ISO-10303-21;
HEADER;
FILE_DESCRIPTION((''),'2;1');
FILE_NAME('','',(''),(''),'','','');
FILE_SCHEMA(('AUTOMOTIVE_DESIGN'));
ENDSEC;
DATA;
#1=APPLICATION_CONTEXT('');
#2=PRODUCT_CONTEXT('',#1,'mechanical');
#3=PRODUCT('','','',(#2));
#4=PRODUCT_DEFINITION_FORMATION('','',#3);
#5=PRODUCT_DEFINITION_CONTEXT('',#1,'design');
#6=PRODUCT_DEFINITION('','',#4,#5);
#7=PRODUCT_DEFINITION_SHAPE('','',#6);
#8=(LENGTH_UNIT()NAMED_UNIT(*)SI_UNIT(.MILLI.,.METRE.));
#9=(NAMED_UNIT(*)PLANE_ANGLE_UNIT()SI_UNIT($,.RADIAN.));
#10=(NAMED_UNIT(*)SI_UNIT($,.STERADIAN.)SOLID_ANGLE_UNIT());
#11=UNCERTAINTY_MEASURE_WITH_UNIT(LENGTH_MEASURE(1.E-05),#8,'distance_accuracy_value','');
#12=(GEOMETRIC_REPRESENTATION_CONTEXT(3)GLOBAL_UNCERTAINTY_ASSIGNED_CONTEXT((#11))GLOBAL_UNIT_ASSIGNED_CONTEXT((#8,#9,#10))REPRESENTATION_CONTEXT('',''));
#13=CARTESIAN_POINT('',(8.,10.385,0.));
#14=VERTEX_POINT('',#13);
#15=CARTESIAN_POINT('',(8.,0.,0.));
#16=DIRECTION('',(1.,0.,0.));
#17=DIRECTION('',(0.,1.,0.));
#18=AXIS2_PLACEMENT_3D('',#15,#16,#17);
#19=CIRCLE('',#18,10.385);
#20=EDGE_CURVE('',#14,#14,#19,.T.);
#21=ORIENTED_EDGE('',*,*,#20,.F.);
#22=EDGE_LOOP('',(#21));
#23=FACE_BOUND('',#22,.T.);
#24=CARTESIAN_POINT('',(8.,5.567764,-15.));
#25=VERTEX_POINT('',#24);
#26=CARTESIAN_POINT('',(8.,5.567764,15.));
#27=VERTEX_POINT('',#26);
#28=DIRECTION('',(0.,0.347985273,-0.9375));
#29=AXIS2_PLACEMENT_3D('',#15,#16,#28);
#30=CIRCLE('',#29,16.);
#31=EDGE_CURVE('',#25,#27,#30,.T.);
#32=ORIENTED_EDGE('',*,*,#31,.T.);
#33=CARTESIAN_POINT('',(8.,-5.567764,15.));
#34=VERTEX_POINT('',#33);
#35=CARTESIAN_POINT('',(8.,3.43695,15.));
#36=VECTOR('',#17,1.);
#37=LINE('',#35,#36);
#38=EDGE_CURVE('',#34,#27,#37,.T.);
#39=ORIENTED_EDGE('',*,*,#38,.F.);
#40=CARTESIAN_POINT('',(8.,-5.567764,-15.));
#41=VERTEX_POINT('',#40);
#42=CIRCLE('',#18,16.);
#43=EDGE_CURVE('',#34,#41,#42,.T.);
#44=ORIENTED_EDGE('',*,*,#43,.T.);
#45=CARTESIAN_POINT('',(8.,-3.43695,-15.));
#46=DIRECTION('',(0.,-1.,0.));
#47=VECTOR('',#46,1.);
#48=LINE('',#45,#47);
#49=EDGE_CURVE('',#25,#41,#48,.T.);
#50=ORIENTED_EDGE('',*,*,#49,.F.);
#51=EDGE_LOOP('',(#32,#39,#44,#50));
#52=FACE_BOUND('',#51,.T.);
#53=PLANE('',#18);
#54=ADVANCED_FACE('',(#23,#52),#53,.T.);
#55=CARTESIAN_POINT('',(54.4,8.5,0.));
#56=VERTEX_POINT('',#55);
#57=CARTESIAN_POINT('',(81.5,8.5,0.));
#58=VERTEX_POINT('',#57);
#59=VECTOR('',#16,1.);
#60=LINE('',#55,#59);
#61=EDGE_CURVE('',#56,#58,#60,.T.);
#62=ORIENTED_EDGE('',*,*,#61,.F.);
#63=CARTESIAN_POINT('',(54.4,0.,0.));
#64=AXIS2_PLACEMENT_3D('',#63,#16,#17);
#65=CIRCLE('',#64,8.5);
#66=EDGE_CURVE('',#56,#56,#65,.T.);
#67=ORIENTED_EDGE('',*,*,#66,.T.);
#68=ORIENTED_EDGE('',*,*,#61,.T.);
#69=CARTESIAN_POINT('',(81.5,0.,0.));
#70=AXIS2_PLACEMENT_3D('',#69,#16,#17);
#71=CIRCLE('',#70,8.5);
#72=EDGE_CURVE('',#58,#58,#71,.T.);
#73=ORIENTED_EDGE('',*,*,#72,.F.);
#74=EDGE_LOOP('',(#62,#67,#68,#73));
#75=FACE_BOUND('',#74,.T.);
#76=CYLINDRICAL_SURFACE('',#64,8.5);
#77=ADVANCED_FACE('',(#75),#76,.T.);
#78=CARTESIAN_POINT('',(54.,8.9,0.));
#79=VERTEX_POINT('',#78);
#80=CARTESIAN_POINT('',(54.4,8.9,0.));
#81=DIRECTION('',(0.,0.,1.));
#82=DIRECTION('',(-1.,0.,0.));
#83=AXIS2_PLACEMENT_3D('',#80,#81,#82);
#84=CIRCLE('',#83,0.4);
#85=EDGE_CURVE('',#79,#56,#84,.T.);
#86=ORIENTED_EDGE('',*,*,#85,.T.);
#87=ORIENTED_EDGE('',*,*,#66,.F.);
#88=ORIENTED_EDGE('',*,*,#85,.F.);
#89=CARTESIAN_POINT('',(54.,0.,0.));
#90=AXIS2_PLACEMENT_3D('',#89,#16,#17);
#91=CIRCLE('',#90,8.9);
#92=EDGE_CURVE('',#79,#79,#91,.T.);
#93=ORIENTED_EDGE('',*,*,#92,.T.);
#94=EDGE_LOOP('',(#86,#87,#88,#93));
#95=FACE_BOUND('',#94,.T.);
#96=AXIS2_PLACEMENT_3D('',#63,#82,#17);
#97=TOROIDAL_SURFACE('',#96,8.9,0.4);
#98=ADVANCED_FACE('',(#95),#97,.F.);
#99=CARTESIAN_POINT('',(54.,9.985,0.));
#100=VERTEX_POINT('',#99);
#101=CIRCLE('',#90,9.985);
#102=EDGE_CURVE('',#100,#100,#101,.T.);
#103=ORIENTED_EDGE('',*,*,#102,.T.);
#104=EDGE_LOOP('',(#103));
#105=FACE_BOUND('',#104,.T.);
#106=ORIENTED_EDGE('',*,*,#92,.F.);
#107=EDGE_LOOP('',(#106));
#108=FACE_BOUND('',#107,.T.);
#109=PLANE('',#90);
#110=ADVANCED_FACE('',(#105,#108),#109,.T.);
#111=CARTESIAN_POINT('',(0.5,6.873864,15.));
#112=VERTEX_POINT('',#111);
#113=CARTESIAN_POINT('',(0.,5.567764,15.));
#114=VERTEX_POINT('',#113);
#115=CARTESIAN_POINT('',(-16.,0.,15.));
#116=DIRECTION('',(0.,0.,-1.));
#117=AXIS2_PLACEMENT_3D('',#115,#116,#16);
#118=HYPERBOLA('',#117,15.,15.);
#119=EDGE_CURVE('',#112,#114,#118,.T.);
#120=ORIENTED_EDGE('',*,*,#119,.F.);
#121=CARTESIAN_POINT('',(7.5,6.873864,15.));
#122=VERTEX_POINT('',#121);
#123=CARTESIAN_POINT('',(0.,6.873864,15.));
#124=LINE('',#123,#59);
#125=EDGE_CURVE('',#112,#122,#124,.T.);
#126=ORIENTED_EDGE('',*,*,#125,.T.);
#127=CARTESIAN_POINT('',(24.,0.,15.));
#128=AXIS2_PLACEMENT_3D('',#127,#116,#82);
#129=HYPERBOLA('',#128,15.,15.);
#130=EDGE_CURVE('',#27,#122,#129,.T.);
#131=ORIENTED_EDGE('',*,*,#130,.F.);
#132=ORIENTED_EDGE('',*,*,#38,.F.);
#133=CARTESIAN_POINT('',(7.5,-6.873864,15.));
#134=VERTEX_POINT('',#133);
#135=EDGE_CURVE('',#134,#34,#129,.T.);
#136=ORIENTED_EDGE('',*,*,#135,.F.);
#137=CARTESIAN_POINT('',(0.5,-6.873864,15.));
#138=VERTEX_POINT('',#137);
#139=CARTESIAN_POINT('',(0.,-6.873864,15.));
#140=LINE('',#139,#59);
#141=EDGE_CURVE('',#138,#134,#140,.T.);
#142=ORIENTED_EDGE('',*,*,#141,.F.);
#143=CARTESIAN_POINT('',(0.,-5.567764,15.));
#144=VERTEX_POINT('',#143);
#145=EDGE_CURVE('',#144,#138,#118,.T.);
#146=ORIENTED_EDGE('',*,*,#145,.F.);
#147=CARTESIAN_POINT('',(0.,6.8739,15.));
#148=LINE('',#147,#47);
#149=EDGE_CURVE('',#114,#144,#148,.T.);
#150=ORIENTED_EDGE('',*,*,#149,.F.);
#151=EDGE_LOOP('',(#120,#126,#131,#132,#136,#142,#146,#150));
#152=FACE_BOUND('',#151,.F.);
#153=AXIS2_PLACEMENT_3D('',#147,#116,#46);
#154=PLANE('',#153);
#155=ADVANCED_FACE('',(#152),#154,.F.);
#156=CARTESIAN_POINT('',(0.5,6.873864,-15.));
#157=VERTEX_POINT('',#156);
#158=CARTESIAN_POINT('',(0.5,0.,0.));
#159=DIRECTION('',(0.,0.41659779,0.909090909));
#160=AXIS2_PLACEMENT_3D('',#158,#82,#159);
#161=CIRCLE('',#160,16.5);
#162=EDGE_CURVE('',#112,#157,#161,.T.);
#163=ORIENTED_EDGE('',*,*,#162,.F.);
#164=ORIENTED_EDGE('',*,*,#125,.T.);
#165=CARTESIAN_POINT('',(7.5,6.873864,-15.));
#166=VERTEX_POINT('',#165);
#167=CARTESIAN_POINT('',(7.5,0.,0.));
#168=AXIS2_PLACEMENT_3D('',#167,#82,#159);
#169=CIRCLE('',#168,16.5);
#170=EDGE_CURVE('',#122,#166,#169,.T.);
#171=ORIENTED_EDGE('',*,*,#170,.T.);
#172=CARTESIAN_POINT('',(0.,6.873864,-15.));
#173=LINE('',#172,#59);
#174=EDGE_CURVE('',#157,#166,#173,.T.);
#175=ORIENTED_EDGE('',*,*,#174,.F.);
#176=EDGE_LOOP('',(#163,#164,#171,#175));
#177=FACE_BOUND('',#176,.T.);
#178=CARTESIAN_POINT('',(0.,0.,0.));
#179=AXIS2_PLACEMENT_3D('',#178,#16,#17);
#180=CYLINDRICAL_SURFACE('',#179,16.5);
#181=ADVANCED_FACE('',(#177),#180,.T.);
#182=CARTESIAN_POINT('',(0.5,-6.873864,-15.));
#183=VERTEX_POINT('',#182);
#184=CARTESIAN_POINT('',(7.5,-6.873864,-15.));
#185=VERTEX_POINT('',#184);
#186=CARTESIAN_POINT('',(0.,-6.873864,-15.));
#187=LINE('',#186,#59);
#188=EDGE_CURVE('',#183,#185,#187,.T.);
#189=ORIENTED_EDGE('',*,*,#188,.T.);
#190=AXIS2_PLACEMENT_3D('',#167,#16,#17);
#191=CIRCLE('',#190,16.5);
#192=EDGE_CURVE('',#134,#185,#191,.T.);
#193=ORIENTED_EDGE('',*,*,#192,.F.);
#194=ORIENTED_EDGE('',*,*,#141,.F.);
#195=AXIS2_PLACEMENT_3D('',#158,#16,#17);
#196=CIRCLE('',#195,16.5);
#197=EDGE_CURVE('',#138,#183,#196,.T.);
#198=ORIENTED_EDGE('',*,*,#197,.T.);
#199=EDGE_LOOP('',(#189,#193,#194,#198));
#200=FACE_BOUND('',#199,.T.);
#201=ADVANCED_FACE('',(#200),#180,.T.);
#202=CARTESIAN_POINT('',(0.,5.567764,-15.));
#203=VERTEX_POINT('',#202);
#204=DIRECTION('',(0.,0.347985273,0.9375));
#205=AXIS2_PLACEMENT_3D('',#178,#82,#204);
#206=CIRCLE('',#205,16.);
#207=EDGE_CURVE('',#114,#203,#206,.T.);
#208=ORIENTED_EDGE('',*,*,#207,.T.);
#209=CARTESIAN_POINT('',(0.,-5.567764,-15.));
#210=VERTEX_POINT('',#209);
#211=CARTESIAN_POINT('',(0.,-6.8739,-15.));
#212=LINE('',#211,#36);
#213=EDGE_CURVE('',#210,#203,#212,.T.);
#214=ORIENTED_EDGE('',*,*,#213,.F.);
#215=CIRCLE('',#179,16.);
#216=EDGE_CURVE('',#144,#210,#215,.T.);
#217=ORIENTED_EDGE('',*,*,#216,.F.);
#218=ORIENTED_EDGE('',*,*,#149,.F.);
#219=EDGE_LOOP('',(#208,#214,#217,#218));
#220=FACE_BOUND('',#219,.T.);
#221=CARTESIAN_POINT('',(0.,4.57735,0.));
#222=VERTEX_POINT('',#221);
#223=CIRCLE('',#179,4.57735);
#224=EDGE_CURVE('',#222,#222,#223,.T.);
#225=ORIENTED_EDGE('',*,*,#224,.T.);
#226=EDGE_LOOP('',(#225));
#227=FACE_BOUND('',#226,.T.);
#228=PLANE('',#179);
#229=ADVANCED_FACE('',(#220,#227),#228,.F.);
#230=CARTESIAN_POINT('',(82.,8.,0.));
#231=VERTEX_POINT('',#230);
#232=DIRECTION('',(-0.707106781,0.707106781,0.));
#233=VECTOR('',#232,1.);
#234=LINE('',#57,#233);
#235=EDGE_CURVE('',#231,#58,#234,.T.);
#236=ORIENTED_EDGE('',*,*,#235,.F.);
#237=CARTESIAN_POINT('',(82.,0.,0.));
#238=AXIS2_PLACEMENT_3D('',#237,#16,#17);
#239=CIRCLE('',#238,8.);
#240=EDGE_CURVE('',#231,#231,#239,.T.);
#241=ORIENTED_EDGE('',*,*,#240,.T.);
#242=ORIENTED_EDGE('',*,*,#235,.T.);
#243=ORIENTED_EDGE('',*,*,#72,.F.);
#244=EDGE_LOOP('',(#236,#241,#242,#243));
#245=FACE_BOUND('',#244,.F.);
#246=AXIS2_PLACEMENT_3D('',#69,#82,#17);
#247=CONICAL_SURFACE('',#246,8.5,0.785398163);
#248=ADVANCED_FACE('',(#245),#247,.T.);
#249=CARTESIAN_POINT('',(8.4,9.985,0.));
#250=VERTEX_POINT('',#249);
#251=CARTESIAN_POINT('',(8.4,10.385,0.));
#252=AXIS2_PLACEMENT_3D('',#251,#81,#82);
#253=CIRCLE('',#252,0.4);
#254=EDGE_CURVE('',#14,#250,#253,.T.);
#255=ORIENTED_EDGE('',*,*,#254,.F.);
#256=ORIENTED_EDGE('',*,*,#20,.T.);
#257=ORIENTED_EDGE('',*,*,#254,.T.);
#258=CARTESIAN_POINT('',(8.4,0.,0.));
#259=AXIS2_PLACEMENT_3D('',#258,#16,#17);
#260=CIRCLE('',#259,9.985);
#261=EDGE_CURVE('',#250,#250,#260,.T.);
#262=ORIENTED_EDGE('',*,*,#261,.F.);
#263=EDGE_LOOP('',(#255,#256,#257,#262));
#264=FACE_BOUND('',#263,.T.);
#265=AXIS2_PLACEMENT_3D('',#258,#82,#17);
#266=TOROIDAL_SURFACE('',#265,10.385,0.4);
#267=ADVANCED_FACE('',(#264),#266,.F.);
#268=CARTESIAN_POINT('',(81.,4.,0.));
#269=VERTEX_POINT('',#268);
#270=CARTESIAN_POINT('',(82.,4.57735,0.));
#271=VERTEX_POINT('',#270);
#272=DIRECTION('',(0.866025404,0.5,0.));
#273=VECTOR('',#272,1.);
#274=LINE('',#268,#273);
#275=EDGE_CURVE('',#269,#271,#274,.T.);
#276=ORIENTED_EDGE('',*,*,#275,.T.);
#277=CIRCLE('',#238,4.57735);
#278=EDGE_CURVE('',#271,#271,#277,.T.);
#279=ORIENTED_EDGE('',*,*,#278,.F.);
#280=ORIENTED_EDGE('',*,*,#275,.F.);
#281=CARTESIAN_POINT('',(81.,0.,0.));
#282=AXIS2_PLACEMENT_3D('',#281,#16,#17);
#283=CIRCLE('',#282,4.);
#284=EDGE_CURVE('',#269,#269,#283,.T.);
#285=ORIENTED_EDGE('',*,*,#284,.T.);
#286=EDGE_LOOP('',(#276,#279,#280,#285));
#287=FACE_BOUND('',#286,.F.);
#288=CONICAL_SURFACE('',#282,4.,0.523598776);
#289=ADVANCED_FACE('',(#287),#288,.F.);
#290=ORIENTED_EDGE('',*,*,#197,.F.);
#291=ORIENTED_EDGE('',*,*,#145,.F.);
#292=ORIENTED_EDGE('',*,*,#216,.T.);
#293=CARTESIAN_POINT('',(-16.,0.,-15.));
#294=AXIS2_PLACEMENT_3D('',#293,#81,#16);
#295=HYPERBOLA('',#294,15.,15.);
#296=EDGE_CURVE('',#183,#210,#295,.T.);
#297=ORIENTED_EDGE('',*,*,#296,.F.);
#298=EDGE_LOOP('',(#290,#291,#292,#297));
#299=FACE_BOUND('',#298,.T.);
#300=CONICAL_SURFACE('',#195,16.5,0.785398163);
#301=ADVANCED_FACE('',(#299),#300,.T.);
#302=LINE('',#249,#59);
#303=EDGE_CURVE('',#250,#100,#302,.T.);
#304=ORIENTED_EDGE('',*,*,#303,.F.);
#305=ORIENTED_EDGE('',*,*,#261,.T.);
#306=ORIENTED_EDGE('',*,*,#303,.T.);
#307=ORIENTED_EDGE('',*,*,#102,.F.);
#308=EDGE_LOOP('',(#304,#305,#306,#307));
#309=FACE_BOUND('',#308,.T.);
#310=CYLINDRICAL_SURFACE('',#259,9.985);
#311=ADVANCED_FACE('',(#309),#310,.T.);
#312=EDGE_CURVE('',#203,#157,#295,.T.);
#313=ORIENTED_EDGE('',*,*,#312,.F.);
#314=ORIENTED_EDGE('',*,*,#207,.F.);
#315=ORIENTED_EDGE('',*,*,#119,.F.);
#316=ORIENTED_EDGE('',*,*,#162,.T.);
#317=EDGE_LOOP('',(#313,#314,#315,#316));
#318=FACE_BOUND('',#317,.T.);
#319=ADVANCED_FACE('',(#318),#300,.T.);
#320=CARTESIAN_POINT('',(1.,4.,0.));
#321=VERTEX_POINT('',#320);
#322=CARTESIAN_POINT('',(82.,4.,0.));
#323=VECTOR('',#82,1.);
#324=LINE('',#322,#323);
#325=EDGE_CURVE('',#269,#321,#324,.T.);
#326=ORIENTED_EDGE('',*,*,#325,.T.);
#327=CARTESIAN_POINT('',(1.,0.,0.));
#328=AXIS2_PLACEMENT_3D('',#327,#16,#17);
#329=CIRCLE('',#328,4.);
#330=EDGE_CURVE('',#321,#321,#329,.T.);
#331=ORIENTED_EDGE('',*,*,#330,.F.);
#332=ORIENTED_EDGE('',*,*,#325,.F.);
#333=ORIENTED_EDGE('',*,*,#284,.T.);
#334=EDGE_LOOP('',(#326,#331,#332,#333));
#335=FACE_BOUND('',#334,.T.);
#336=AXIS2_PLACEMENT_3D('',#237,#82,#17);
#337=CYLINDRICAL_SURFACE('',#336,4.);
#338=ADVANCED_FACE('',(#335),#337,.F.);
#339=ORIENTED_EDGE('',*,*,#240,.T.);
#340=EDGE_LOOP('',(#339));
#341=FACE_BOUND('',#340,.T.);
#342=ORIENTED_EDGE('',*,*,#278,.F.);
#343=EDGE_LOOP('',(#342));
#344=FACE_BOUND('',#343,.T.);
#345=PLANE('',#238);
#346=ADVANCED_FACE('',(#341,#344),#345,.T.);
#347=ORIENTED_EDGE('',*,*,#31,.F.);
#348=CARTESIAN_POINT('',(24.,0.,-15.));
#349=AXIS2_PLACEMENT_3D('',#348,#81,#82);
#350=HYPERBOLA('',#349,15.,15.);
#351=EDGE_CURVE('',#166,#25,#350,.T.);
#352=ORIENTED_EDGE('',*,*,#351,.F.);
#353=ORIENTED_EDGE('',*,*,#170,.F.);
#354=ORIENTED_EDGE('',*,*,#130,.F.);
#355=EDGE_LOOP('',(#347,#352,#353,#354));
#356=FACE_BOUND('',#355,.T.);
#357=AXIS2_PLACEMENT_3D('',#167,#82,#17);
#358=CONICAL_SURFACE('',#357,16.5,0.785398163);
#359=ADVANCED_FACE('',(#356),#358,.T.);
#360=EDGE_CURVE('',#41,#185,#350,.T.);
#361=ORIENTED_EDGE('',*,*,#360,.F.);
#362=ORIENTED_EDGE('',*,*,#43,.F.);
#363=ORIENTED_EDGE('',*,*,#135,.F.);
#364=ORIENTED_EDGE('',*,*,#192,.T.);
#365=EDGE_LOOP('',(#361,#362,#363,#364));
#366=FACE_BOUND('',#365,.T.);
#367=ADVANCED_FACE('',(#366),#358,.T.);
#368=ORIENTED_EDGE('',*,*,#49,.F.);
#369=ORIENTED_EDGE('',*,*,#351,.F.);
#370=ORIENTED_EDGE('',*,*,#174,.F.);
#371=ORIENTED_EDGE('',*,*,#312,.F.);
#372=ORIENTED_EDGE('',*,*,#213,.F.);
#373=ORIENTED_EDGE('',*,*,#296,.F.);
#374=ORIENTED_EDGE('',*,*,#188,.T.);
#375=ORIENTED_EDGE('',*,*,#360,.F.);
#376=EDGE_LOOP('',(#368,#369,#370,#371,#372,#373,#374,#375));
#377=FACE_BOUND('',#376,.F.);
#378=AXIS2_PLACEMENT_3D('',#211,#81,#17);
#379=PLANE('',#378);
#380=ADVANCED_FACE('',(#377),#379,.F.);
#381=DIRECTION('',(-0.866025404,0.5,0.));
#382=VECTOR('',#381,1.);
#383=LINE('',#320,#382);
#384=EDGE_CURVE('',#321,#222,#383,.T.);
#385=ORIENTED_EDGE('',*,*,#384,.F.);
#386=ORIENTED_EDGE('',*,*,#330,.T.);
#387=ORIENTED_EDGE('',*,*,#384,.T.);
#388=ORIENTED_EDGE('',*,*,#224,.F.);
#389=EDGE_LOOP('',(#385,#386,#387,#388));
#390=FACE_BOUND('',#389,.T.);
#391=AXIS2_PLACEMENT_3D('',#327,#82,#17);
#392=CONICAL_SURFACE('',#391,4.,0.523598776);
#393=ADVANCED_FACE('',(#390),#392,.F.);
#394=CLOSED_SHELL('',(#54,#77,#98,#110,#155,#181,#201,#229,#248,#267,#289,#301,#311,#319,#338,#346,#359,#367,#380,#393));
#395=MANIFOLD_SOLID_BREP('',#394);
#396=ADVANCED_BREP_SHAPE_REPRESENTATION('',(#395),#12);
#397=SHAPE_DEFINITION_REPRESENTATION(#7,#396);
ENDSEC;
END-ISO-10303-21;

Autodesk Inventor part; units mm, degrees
ref_plane "YZ Plane" through (0, 0, 0) normal (1, 0, 0) x (0, 1, 0)
ref_plane "XZ Plane" through (0, 0, 0) normal (0, 1, 0) x (-1, 0, 0)
ref_plane "XY Plane" through (0, 0, 0) normal (0, 0, 1) x (1, 0, 0)
sketch "Náčrt1" plane through (0, 0, 0) normal (0, 0, 1) x (1, 0, 0)
  line L0 (0, 0) -> (19.1477, 0)
  line L1 (0, 4) -> (0, 16.5)
  line L2 (0, 16.5) -> (8, 16.5)
  line L3 (8, 16.5) -> (8, 10.385)
  line L4 (8.4, 9.985) -> (54, 9.985)
  line L5 (54, 9.985) -> (54, 8.9)
  line L6 (54.4, 8.5) -> (82, 8.5)
  line L7 (82, 8.5) -> (82, 4)
  line L8 (82, 4) -> (0, 4)
  arc A0 (8, 10.385) -> (8.4, 9.985) centre (8.4, 10.385) ccw
  arc A1 (54, 8.9) -> (54.4, 8.5) centre (54.4, 8.9) ccw
  point P0 (54, 8.5)
  point P1 (8, 9.985)
  dimension "d0" = 33
  dimension "d1" = 82
  dimension "d2" = 28
  dimension "d5" = 17
  dimension "d6" = 8
  dimension "d7" = 19.97
  dimension "d8" = 74
  dimension "d39" = 8
  dimension "d40" = 46
  dimension "d41" = 0.4
  dimension "d42" = 0.4
revolve "Rotace1" add sketch "Náčrt1" angle 360 about axis through (0, 0, 0) along (1, 0, 0)
thread "Závit1" size "M17x1" class "6g" standard "ANSI Metric M Profile" length 15
chamfer "Zkosení1" distance 0.5 angle 45 1 edges at (0, -16.5, 0)
chamfer "Zkosení2" distance 0.5 angle 45 1 edges at (8, -16.5, 0)
chamfer "Zkosení3" distance 1 angle 30 1 edges at (0, -4, 0) measured on face at (54.6667, 3.987, -0.3219)
chamfer "Zkosení4" distance 1 angle 30 1 edges at (82, -4, 0) measured on face at (55, 3.987, -0.3219)
chamfer "Zkosení5" distance 0.5 angle 45 1 edges at (82, -8.5, 0)
sketch "Náčrt2" plane through (0, 0, 0) normal (-1, 0, 0) x (0, 0, 1)
  line L0 (-15, 6.8739) -> (-17.8524, 6.8739)
  line L1 (-17.8524, 6.8739) -> (-17.8524, -6.8739)
  line L2 (-17.8524, -6.8739) -> (-15, -6.8739)
  line L3 (-15, -6.8739) -> (-15, 6.8739)
  line L4 (19.6486, 6.8739) -> (15, 6.8739)
  line L5 (15, 6.8739) -> (15, -6.8739)
  line L6 (15, -6.8739) -> (19.6486, -6.8739)
  line L7 (19.6486, -6.8739) -> (19.6486, 6.8739)
  line L8 (0, 0) -> (0, -4.618) construction
  circle A0 centre (0, 0) radius 16.5 construction
  dimension "d29" = 30
extrude "Vysunutí1" cut sketch "Náčrt2" against normal through all
equation "\"Rozmer_A\" = d0"
equation "\"Rozmer_B\" = 0"
equation "\"Rozmer_C\" = 0"
equation "\"Rozmer_D\" = d1"
properties part number "NA-45-h-Crown-277" material "16 341"
